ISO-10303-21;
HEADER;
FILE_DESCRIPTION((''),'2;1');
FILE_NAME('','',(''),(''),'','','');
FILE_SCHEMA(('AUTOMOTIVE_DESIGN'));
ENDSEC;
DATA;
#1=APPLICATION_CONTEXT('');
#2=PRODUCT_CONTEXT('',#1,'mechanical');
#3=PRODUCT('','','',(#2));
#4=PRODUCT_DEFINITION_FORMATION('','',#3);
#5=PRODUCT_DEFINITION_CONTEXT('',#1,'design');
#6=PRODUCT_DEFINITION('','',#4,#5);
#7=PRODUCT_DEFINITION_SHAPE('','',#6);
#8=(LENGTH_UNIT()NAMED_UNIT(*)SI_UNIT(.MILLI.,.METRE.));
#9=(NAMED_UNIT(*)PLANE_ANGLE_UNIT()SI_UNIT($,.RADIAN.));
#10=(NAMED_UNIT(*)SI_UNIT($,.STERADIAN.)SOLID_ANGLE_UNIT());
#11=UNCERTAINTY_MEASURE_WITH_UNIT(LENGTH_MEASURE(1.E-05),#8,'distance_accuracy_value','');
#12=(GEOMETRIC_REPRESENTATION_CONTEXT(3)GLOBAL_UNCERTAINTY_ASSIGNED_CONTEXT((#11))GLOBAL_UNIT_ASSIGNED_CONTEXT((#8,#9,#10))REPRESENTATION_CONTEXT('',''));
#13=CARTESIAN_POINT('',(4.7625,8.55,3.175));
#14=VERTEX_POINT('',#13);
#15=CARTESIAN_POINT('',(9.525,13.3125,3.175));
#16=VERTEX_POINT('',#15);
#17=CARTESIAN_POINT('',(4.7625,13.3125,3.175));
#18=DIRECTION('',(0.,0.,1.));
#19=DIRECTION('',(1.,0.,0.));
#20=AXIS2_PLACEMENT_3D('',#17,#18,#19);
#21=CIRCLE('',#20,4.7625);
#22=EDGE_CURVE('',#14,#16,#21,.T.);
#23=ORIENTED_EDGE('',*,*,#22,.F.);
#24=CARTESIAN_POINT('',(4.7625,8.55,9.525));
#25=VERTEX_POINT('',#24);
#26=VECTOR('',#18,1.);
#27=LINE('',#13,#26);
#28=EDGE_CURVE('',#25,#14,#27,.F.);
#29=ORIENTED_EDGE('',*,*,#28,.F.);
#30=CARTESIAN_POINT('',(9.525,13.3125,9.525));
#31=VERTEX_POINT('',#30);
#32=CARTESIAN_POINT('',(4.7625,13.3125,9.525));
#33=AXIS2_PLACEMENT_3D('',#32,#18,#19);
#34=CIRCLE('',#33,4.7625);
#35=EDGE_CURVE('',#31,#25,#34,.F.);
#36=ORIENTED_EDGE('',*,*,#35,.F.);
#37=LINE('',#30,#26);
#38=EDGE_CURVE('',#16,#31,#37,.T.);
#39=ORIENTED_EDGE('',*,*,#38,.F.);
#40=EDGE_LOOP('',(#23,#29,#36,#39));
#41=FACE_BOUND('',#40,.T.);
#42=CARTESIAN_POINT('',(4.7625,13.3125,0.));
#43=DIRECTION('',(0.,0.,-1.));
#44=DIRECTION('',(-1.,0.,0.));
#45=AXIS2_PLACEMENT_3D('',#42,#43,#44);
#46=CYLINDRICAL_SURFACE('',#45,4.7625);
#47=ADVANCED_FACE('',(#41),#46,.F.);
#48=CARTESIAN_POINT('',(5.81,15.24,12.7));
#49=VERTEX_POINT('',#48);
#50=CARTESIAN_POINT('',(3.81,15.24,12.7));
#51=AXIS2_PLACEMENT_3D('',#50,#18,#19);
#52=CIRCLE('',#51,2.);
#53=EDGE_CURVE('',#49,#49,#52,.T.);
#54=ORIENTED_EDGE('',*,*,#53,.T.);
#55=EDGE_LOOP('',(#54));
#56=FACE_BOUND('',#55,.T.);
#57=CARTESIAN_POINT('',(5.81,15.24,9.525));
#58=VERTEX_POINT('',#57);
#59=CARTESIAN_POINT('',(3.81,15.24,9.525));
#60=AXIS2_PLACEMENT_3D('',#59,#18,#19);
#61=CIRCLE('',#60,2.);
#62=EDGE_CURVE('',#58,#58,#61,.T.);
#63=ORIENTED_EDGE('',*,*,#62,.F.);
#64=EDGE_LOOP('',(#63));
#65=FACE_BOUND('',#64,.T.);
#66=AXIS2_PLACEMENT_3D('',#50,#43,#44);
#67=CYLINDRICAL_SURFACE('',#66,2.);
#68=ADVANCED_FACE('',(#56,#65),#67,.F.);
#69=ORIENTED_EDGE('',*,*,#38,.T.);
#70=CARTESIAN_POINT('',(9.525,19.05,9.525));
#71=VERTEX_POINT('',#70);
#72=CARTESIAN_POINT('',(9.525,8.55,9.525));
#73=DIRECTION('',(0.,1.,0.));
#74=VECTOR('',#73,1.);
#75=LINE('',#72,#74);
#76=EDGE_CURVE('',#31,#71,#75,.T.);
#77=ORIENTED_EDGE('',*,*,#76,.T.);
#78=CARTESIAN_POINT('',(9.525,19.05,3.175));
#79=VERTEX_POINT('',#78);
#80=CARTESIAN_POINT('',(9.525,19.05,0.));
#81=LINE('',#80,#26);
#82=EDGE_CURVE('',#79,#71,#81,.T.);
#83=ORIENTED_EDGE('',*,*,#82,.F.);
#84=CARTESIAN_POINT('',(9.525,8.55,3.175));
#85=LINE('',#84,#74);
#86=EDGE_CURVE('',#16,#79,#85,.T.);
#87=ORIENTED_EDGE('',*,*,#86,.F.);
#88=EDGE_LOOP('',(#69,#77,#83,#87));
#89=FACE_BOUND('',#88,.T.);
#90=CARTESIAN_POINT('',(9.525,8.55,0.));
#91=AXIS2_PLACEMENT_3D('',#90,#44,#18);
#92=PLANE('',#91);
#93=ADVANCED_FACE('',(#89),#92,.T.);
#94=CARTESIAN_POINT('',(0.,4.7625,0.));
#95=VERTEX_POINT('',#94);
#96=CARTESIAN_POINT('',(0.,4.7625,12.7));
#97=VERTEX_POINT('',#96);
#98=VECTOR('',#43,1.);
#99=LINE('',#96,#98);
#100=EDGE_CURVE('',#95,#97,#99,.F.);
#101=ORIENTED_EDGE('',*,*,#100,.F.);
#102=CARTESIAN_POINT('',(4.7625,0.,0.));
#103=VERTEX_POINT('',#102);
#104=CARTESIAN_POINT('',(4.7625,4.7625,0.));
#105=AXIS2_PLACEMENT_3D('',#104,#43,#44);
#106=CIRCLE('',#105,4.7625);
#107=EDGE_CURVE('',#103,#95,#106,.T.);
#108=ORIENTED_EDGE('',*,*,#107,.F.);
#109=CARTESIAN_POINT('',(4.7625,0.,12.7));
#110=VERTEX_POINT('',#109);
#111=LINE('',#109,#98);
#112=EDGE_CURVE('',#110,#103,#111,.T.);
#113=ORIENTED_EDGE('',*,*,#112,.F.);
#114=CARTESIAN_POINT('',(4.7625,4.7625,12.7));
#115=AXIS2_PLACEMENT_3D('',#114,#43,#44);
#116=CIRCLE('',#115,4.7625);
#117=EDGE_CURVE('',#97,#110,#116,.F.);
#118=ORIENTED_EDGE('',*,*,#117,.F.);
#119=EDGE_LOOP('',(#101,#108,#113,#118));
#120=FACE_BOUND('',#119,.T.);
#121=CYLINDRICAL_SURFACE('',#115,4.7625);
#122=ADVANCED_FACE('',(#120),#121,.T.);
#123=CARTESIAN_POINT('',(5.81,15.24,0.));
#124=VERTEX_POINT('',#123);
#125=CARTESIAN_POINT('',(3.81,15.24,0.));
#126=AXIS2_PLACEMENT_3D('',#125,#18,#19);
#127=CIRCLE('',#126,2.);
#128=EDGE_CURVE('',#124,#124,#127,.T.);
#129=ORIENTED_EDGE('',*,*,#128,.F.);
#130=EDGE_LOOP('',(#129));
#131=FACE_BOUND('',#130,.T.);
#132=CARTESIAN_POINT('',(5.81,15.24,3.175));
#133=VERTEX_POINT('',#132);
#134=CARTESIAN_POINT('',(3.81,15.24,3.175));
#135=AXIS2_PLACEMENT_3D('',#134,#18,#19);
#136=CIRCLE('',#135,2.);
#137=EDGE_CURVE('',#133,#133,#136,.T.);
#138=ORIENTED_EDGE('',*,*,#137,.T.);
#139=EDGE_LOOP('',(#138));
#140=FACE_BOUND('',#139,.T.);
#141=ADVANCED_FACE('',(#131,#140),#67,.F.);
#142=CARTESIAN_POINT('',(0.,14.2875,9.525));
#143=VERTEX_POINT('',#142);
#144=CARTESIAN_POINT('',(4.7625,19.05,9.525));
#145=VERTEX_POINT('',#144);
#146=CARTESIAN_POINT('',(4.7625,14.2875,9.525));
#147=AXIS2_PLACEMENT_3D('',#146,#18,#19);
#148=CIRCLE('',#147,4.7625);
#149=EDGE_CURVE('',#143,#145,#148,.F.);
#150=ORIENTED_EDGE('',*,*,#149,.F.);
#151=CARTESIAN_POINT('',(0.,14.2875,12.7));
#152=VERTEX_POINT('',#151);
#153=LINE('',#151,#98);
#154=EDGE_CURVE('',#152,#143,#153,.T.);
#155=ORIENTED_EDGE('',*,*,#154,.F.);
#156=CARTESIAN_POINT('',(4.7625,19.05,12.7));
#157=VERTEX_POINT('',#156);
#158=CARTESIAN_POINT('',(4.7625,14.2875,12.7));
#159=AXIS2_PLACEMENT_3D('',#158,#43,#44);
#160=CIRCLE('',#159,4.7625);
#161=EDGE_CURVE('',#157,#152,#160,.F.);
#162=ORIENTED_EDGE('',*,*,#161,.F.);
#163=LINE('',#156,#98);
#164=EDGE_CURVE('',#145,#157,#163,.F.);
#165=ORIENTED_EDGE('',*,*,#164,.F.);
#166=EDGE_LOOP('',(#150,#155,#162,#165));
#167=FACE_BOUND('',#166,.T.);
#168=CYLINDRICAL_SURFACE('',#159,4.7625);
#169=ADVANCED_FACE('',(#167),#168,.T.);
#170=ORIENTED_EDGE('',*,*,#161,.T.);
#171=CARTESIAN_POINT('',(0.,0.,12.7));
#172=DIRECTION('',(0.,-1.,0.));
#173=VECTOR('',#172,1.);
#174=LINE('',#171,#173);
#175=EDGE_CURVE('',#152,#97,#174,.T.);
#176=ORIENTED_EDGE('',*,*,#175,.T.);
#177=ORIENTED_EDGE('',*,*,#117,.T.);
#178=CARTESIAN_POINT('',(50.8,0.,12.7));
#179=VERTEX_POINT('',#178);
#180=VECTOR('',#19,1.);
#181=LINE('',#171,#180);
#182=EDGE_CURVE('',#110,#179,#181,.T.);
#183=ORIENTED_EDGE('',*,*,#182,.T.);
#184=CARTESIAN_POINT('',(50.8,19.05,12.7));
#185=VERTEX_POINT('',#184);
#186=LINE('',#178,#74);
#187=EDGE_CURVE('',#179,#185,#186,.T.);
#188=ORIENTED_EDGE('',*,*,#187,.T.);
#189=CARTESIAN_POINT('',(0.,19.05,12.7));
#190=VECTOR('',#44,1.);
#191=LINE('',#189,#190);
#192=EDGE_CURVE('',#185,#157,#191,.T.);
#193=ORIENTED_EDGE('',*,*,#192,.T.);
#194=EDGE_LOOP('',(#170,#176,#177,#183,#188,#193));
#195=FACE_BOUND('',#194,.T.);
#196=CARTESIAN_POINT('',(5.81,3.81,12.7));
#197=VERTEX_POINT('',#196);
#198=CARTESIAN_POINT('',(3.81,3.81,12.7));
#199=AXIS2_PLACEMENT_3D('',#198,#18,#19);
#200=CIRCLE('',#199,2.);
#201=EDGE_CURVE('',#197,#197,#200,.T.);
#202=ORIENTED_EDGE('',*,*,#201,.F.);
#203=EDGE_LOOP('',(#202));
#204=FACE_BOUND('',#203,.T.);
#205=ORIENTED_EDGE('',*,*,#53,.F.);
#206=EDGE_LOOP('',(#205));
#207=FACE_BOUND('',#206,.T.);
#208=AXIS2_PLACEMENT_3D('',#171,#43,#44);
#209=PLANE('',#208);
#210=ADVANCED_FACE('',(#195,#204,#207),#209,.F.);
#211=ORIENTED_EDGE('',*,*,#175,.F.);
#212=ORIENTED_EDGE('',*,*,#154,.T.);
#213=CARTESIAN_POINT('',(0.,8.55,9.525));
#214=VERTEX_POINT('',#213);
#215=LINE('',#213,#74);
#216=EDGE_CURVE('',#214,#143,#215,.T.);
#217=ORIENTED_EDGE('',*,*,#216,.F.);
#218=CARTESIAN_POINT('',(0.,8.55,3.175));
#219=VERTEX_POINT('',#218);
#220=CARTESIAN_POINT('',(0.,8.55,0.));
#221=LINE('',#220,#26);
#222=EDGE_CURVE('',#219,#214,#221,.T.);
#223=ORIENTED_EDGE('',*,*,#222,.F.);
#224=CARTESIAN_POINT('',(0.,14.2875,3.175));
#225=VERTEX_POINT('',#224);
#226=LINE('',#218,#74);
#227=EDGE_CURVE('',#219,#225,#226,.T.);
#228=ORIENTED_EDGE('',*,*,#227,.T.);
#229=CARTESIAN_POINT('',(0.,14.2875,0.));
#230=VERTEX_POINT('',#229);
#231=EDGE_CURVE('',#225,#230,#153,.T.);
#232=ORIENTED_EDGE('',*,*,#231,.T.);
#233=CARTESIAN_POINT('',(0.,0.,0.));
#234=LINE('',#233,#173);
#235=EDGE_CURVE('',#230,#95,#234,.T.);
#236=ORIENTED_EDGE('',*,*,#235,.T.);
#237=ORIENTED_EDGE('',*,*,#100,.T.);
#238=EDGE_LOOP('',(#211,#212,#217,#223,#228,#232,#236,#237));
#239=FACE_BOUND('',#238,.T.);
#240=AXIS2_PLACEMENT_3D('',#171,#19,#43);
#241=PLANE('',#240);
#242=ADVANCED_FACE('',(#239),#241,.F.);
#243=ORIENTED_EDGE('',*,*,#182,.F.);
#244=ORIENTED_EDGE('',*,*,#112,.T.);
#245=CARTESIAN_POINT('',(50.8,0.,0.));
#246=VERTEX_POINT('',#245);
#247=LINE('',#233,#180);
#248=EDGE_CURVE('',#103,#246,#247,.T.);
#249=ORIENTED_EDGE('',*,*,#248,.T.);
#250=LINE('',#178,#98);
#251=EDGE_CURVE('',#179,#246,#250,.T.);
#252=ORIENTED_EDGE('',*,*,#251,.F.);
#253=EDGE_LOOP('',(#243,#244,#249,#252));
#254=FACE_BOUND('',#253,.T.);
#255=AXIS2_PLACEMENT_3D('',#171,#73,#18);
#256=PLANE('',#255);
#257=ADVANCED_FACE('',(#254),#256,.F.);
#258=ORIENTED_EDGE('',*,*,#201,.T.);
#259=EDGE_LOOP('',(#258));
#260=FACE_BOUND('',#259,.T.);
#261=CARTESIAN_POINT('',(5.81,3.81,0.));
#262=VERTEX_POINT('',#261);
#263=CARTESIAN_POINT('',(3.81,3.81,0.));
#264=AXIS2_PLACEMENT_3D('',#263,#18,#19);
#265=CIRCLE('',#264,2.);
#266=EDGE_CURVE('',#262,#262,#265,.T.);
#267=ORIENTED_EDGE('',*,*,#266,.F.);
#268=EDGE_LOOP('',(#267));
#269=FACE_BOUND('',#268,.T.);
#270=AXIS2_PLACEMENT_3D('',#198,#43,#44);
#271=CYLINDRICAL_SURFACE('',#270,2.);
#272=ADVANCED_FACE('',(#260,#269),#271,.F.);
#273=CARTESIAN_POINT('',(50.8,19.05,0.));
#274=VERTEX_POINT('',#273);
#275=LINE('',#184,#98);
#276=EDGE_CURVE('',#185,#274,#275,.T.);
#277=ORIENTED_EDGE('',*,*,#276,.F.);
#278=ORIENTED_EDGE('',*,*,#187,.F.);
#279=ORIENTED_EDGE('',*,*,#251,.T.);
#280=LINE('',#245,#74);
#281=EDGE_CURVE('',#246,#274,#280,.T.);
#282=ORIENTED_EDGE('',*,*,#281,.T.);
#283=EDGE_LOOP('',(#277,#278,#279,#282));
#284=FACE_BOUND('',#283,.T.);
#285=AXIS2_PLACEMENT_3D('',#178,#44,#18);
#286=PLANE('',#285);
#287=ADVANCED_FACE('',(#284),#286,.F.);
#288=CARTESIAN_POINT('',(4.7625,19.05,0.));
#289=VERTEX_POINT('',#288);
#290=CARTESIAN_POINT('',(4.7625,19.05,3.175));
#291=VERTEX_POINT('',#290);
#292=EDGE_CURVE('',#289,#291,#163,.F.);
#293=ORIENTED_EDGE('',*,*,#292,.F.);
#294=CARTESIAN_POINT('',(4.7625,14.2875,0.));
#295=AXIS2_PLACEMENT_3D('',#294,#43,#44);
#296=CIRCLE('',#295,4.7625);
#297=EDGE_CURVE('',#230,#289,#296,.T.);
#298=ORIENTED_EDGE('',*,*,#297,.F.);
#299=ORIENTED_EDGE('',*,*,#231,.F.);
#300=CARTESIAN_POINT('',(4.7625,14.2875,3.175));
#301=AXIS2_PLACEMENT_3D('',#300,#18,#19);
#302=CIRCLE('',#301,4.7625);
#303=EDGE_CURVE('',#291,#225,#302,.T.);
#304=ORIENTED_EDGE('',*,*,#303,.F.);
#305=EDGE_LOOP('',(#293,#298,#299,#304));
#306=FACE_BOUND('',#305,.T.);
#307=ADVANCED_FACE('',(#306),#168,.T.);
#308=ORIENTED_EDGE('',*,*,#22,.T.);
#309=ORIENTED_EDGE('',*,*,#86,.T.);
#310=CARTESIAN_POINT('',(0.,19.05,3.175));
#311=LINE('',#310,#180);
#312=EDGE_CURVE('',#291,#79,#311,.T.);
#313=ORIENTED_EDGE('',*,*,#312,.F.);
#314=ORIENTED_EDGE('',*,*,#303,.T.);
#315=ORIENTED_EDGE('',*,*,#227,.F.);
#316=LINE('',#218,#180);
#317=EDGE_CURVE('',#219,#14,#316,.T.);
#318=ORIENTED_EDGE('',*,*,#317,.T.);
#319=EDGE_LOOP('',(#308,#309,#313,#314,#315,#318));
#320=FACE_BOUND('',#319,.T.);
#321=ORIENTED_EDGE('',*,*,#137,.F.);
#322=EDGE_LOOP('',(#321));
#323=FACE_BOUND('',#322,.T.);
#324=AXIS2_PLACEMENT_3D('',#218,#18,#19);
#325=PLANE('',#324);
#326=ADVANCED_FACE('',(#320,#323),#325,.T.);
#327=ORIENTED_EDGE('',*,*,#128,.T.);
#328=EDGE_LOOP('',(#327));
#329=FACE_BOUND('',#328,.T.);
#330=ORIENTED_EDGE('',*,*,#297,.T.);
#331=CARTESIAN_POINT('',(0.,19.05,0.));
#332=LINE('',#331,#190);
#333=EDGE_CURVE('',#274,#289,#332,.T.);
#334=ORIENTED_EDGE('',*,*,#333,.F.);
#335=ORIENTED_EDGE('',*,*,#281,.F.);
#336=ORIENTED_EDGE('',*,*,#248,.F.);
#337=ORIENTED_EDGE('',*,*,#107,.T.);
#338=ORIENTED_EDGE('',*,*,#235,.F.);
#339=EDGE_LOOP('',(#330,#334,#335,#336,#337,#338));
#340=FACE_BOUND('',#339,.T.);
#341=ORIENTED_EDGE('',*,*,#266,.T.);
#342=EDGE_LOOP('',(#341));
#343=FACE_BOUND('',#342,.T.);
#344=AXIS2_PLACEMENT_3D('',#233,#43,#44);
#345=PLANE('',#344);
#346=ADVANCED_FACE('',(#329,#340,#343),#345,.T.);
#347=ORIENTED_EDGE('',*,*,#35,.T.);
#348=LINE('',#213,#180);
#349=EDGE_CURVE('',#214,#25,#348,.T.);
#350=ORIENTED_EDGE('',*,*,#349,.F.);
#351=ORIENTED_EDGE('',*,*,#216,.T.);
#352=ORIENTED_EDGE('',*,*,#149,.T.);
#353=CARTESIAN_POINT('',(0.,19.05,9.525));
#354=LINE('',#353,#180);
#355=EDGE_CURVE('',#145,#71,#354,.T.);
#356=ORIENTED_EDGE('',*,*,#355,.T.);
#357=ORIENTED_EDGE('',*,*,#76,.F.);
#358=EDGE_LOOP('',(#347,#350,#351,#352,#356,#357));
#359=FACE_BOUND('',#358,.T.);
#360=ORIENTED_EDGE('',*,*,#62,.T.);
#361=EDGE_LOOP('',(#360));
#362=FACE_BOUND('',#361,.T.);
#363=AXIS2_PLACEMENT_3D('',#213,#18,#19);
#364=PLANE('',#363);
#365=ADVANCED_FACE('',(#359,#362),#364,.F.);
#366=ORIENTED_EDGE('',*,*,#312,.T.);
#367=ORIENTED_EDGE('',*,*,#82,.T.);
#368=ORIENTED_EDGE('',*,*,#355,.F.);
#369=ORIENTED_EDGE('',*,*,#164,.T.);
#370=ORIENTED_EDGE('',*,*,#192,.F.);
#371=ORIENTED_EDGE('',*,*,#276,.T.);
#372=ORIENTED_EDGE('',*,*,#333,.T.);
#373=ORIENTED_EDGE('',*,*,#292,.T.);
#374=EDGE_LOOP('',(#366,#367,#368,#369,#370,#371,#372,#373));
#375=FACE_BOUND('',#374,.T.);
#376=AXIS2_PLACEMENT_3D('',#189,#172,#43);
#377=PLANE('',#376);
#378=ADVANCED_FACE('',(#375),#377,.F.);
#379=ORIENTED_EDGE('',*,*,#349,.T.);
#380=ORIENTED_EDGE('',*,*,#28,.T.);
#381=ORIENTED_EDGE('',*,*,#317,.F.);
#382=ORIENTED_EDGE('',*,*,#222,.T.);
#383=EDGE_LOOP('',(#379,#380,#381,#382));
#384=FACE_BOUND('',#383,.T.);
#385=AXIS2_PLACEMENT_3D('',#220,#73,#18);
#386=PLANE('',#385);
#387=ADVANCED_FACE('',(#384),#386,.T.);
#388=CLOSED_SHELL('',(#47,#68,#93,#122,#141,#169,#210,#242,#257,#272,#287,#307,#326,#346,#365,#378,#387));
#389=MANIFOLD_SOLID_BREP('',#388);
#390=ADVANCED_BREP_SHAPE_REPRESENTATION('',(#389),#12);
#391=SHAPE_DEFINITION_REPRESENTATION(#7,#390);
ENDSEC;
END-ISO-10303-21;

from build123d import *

# Parameters (mm, degrees)
SKETCH1_W           = 50.8
SKETCH1_H           = 19.05
SKETCH1_R           = 2
BOSS_EXTRUDE1_DEPTH = 12.7
SKETCH2_W           = 9.525
SKETCH2_H           = 6.35
CUT_EXTRUDE1_DEPTH  = 10.5
FILLET1_R           = 4.7625
FILLET2_R           = 4.7625


with BuildPart() as part:
    # Sketch1 → Boss-Extrude1 (new body)
    with BuildSketch(Plane.XY):
        with Locations((25.4, 9.525)):
            Rectangle(SKETCH1_W, SKETCH1_H)
        with Locations((3.81, 3.81)):
            Circle(SKETCH1_R, mode=Mode.SUBTRACT)
        with Locations((3.81, 15.24)):
            Circle(SKETCH1_R, mode=Mode.SUBTRACT)
    extrude(amount=BOSS_EXTRUDE1_DEPTH)

    # Sketch2 → Cut-Extrude1 (cut)
    with BuildSketch(Plane(origin=(0, 19.05, 0), x_dir=(1, 0, 0), z_dir=(0, 1, 0))):
        with Locations((4.7625, -6.35)):
            Rectangle(SKETCH2_W, SKETCH2_H)
    extrude(amount=-CUT_EXTRUDE1_DEPTH, mode=Mode.SUBTRACT)

    # Fillet1
    fillet1_edges = [part.edges().sort_by_distance(p)[0] for p in [
        (9.525, 8.55, 6.35),
    ]]
    fillet(fillet1_edges, radius=FILLET1_R)

    # Fillet2
    fillet2_edges = [part.edges().sort_by_distance(p)[0] for p in [
        (0, 19.05, 1.5875),
        (0, 19.05, 11.1125),
        (0, 0, 6.35),
    ]]
    fillet(fillet2_edges, radius=FILLET2_R)


solid = part.part
